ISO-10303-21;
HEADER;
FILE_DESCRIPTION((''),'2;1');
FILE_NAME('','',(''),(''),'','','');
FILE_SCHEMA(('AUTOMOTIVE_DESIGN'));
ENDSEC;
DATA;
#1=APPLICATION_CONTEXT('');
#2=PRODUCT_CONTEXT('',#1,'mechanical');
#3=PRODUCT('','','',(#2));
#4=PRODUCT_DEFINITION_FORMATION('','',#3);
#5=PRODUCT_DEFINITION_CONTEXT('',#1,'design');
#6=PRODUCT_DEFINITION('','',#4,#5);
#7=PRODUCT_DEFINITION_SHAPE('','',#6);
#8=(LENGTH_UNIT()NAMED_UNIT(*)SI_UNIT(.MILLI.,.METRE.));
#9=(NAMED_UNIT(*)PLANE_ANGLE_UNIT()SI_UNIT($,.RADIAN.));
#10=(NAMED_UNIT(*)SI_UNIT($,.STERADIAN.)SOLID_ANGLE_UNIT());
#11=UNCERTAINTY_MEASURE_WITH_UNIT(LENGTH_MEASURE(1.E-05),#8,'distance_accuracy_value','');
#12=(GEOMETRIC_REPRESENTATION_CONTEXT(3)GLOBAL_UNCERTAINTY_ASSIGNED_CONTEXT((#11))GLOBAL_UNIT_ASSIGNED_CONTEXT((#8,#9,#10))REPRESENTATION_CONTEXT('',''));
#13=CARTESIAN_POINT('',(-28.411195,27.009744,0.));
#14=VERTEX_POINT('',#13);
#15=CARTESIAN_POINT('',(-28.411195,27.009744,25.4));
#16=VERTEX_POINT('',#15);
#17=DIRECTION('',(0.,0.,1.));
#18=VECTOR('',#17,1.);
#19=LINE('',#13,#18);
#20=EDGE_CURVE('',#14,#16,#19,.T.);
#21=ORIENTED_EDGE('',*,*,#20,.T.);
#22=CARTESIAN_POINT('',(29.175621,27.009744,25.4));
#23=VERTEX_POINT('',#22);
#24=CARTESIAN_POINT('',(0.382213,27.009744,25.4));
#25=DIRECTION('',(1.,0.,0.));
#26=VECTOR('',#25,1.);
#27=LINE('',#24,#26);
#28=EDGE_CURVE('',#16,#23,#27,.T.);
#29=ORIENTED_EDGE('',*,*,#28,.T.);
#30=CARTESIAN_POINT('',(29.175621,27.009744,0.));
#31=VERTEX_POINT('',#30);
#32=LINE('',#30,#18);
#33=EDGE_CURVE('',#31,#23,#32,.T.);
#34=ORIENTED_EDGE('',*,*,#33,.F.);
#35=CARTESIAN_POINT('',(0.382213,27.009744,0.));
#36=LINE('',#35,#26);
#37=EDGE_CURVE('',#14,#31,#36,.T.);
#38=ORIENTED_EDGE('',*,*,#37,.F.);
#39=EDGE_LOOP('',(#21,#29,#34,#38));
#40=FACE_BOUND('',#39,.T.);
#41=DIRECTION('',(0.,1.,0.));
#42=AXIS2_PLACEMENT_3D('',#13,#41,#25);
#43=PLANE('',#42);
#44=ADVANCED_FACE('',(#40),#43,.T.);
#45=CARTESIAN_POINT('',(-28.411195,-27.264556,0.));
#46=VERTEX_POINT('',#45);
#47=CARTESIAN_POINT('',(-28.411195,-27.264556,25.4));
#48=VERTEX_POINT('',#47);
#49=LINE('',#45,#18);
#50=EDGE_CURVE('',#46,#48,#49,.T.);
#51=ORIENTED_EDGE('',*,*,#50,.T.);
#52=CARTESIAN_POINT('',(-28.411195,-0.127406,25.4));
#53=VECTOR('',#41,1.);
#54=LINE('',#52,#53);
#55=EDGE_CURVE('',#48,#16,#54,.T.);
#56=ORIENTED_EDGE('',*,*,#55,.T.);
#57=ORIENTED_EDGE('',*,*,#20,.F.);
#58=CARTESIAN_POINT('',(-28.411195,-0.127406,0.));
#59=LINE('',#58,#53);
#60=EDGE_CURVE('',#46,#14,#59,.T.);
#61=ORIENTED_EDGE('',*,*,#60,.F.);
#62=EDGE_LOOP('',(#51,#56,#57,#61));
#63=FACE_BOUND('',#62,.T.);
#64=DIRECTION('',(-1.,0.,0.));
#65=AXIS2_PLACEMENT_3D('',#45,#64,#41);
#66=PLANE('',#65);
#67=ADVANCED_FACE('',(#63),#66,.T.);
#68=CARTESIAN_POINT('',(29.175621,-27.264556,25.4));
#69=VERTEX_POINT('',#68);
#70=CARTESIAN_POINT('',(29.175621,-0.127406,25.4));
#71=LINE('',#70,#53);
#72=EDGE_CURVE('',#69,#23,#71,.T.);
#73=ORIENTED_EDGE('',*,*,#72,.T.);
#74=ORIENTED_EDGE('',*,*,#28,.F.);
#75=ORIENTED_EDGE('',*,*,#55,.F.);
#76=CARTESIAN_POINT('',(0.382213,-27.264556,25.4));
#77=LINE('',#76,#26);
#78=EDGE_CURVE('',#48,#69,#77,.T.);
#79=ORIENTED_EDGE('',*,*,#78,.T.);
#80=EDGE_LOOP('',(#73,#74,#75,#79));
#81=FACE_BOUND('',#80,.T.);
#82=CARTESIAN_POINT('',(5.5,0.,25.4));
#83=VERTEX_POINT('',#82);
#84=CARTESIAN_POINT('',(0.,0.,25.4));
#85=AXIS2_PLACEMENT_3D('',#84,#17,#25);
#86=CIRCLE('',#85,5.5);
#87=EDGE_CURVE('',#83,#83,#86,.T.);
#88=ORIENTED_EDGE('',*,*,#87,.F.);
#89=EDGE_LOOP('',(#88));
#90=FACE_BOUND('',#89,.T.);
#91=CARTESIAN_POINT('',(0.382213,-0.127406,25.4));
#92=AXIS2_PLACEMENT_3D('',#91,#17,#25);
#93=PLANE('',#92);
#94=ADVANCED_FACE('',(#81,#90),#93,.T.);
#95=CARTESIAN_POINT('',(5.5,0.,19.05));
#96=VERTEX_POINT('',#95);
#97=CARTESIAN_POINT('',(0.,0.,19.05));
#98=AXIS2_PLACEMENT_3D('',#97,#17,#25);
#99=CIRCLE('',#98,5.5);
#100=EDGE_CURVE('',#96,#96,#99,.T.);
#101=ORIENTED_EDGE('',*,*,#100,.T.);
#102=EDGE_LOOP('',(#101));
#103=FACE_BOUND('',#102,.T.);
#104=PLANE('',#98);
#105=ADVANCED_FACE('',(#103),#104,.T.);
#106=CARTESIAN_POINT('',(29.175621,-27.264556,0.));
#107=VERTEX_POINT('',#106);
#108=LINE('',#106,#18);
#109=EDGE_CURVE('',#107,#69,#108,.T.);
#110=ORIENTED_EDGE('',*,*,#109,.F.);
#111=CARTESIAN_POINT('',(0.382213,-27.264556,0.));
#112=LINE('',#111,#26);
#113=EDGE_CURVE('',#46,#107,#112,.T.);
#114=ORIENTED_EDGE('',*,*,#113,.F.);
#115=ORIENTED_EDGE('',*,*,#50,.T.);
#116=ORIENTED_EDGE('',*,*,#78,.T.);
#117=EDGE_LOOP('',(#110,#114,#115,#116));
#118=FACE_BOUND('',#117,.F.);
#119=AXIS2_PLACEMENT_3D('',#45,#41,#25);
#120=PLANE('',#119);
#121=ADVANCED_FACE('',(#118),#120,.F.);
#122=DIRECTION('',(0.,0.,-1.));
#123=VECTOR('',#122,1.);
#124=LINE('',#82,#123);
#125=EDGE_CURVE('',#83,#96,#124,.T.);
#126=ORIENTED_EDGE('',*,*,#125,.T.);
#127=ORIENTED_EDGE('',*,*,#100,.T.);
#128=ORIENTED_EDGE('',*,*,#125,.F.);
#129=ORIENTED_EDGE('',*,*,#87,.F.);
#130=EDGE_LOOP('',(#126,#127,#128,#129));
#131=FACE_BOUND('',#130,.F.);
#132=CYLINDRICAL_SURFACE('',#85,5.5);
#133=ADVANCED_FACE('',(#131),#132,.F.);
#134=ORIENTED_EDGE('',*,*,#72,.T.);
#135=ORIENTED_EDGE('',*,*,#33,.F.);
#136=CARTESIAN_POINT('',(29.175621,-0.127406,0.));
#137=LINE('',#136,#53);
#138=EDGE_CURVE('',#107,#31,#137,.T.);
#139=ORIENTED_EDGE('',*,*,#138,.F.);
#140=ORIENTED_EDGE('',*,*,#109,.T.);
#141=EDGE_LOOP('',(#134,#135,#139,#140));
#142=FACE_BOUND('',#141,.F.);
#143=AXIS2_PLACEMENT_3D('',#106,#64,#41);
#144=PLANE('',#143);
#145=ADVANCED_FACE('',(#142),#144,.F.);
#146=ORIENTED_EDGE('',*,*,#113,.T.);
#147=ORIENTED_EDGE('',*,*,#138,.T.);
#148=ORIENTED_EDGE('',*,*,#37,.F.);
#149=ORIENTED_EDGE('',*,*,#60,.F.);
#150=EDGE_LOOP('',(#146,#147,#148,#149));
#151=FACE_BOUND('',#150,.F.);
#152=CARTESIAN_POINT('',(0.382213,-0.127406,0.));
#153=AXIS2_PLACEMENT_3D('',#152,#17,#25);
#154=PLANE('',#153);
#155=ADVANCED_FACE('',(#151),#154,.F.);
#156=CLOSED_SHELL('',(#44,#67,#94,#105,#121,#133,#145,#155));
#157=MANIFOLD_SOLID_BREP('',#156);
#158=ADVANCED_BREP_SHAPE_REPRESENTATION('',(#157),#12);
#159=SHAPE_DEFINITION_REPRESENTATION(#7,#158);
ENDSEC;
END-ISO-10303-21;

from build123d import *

# Parameters (mm, degrees)
F0_W     = 57.586816
F0_H     = 54.2743
F0_R     = 5.5
F1_DEPTH = 25.4
F2_R     = 5.5
F3_DEPTH = 6.35


with BuildPart() as f1:
    # F0 (on Top) → F1 (new body)
    with BuildSketch(Plane.XY):
        with Locations((0.382213, -0.127406)):
            Rectangle(F0_W, F0_H)
        Circle(F0_R, mode=Mode.SUBTRACT)
        Circle(F0_R)
    extrude(amount=F1_DEPTH)

    # F2 (on face) → F3 (cut)
    with BuildSketch(Plane.XY.offset(25.4)):
        Circle(F2_R)
    extrude(amount=-F3_DEPTH, mode=Mode.SUBTRACT)


solid = f1.part
